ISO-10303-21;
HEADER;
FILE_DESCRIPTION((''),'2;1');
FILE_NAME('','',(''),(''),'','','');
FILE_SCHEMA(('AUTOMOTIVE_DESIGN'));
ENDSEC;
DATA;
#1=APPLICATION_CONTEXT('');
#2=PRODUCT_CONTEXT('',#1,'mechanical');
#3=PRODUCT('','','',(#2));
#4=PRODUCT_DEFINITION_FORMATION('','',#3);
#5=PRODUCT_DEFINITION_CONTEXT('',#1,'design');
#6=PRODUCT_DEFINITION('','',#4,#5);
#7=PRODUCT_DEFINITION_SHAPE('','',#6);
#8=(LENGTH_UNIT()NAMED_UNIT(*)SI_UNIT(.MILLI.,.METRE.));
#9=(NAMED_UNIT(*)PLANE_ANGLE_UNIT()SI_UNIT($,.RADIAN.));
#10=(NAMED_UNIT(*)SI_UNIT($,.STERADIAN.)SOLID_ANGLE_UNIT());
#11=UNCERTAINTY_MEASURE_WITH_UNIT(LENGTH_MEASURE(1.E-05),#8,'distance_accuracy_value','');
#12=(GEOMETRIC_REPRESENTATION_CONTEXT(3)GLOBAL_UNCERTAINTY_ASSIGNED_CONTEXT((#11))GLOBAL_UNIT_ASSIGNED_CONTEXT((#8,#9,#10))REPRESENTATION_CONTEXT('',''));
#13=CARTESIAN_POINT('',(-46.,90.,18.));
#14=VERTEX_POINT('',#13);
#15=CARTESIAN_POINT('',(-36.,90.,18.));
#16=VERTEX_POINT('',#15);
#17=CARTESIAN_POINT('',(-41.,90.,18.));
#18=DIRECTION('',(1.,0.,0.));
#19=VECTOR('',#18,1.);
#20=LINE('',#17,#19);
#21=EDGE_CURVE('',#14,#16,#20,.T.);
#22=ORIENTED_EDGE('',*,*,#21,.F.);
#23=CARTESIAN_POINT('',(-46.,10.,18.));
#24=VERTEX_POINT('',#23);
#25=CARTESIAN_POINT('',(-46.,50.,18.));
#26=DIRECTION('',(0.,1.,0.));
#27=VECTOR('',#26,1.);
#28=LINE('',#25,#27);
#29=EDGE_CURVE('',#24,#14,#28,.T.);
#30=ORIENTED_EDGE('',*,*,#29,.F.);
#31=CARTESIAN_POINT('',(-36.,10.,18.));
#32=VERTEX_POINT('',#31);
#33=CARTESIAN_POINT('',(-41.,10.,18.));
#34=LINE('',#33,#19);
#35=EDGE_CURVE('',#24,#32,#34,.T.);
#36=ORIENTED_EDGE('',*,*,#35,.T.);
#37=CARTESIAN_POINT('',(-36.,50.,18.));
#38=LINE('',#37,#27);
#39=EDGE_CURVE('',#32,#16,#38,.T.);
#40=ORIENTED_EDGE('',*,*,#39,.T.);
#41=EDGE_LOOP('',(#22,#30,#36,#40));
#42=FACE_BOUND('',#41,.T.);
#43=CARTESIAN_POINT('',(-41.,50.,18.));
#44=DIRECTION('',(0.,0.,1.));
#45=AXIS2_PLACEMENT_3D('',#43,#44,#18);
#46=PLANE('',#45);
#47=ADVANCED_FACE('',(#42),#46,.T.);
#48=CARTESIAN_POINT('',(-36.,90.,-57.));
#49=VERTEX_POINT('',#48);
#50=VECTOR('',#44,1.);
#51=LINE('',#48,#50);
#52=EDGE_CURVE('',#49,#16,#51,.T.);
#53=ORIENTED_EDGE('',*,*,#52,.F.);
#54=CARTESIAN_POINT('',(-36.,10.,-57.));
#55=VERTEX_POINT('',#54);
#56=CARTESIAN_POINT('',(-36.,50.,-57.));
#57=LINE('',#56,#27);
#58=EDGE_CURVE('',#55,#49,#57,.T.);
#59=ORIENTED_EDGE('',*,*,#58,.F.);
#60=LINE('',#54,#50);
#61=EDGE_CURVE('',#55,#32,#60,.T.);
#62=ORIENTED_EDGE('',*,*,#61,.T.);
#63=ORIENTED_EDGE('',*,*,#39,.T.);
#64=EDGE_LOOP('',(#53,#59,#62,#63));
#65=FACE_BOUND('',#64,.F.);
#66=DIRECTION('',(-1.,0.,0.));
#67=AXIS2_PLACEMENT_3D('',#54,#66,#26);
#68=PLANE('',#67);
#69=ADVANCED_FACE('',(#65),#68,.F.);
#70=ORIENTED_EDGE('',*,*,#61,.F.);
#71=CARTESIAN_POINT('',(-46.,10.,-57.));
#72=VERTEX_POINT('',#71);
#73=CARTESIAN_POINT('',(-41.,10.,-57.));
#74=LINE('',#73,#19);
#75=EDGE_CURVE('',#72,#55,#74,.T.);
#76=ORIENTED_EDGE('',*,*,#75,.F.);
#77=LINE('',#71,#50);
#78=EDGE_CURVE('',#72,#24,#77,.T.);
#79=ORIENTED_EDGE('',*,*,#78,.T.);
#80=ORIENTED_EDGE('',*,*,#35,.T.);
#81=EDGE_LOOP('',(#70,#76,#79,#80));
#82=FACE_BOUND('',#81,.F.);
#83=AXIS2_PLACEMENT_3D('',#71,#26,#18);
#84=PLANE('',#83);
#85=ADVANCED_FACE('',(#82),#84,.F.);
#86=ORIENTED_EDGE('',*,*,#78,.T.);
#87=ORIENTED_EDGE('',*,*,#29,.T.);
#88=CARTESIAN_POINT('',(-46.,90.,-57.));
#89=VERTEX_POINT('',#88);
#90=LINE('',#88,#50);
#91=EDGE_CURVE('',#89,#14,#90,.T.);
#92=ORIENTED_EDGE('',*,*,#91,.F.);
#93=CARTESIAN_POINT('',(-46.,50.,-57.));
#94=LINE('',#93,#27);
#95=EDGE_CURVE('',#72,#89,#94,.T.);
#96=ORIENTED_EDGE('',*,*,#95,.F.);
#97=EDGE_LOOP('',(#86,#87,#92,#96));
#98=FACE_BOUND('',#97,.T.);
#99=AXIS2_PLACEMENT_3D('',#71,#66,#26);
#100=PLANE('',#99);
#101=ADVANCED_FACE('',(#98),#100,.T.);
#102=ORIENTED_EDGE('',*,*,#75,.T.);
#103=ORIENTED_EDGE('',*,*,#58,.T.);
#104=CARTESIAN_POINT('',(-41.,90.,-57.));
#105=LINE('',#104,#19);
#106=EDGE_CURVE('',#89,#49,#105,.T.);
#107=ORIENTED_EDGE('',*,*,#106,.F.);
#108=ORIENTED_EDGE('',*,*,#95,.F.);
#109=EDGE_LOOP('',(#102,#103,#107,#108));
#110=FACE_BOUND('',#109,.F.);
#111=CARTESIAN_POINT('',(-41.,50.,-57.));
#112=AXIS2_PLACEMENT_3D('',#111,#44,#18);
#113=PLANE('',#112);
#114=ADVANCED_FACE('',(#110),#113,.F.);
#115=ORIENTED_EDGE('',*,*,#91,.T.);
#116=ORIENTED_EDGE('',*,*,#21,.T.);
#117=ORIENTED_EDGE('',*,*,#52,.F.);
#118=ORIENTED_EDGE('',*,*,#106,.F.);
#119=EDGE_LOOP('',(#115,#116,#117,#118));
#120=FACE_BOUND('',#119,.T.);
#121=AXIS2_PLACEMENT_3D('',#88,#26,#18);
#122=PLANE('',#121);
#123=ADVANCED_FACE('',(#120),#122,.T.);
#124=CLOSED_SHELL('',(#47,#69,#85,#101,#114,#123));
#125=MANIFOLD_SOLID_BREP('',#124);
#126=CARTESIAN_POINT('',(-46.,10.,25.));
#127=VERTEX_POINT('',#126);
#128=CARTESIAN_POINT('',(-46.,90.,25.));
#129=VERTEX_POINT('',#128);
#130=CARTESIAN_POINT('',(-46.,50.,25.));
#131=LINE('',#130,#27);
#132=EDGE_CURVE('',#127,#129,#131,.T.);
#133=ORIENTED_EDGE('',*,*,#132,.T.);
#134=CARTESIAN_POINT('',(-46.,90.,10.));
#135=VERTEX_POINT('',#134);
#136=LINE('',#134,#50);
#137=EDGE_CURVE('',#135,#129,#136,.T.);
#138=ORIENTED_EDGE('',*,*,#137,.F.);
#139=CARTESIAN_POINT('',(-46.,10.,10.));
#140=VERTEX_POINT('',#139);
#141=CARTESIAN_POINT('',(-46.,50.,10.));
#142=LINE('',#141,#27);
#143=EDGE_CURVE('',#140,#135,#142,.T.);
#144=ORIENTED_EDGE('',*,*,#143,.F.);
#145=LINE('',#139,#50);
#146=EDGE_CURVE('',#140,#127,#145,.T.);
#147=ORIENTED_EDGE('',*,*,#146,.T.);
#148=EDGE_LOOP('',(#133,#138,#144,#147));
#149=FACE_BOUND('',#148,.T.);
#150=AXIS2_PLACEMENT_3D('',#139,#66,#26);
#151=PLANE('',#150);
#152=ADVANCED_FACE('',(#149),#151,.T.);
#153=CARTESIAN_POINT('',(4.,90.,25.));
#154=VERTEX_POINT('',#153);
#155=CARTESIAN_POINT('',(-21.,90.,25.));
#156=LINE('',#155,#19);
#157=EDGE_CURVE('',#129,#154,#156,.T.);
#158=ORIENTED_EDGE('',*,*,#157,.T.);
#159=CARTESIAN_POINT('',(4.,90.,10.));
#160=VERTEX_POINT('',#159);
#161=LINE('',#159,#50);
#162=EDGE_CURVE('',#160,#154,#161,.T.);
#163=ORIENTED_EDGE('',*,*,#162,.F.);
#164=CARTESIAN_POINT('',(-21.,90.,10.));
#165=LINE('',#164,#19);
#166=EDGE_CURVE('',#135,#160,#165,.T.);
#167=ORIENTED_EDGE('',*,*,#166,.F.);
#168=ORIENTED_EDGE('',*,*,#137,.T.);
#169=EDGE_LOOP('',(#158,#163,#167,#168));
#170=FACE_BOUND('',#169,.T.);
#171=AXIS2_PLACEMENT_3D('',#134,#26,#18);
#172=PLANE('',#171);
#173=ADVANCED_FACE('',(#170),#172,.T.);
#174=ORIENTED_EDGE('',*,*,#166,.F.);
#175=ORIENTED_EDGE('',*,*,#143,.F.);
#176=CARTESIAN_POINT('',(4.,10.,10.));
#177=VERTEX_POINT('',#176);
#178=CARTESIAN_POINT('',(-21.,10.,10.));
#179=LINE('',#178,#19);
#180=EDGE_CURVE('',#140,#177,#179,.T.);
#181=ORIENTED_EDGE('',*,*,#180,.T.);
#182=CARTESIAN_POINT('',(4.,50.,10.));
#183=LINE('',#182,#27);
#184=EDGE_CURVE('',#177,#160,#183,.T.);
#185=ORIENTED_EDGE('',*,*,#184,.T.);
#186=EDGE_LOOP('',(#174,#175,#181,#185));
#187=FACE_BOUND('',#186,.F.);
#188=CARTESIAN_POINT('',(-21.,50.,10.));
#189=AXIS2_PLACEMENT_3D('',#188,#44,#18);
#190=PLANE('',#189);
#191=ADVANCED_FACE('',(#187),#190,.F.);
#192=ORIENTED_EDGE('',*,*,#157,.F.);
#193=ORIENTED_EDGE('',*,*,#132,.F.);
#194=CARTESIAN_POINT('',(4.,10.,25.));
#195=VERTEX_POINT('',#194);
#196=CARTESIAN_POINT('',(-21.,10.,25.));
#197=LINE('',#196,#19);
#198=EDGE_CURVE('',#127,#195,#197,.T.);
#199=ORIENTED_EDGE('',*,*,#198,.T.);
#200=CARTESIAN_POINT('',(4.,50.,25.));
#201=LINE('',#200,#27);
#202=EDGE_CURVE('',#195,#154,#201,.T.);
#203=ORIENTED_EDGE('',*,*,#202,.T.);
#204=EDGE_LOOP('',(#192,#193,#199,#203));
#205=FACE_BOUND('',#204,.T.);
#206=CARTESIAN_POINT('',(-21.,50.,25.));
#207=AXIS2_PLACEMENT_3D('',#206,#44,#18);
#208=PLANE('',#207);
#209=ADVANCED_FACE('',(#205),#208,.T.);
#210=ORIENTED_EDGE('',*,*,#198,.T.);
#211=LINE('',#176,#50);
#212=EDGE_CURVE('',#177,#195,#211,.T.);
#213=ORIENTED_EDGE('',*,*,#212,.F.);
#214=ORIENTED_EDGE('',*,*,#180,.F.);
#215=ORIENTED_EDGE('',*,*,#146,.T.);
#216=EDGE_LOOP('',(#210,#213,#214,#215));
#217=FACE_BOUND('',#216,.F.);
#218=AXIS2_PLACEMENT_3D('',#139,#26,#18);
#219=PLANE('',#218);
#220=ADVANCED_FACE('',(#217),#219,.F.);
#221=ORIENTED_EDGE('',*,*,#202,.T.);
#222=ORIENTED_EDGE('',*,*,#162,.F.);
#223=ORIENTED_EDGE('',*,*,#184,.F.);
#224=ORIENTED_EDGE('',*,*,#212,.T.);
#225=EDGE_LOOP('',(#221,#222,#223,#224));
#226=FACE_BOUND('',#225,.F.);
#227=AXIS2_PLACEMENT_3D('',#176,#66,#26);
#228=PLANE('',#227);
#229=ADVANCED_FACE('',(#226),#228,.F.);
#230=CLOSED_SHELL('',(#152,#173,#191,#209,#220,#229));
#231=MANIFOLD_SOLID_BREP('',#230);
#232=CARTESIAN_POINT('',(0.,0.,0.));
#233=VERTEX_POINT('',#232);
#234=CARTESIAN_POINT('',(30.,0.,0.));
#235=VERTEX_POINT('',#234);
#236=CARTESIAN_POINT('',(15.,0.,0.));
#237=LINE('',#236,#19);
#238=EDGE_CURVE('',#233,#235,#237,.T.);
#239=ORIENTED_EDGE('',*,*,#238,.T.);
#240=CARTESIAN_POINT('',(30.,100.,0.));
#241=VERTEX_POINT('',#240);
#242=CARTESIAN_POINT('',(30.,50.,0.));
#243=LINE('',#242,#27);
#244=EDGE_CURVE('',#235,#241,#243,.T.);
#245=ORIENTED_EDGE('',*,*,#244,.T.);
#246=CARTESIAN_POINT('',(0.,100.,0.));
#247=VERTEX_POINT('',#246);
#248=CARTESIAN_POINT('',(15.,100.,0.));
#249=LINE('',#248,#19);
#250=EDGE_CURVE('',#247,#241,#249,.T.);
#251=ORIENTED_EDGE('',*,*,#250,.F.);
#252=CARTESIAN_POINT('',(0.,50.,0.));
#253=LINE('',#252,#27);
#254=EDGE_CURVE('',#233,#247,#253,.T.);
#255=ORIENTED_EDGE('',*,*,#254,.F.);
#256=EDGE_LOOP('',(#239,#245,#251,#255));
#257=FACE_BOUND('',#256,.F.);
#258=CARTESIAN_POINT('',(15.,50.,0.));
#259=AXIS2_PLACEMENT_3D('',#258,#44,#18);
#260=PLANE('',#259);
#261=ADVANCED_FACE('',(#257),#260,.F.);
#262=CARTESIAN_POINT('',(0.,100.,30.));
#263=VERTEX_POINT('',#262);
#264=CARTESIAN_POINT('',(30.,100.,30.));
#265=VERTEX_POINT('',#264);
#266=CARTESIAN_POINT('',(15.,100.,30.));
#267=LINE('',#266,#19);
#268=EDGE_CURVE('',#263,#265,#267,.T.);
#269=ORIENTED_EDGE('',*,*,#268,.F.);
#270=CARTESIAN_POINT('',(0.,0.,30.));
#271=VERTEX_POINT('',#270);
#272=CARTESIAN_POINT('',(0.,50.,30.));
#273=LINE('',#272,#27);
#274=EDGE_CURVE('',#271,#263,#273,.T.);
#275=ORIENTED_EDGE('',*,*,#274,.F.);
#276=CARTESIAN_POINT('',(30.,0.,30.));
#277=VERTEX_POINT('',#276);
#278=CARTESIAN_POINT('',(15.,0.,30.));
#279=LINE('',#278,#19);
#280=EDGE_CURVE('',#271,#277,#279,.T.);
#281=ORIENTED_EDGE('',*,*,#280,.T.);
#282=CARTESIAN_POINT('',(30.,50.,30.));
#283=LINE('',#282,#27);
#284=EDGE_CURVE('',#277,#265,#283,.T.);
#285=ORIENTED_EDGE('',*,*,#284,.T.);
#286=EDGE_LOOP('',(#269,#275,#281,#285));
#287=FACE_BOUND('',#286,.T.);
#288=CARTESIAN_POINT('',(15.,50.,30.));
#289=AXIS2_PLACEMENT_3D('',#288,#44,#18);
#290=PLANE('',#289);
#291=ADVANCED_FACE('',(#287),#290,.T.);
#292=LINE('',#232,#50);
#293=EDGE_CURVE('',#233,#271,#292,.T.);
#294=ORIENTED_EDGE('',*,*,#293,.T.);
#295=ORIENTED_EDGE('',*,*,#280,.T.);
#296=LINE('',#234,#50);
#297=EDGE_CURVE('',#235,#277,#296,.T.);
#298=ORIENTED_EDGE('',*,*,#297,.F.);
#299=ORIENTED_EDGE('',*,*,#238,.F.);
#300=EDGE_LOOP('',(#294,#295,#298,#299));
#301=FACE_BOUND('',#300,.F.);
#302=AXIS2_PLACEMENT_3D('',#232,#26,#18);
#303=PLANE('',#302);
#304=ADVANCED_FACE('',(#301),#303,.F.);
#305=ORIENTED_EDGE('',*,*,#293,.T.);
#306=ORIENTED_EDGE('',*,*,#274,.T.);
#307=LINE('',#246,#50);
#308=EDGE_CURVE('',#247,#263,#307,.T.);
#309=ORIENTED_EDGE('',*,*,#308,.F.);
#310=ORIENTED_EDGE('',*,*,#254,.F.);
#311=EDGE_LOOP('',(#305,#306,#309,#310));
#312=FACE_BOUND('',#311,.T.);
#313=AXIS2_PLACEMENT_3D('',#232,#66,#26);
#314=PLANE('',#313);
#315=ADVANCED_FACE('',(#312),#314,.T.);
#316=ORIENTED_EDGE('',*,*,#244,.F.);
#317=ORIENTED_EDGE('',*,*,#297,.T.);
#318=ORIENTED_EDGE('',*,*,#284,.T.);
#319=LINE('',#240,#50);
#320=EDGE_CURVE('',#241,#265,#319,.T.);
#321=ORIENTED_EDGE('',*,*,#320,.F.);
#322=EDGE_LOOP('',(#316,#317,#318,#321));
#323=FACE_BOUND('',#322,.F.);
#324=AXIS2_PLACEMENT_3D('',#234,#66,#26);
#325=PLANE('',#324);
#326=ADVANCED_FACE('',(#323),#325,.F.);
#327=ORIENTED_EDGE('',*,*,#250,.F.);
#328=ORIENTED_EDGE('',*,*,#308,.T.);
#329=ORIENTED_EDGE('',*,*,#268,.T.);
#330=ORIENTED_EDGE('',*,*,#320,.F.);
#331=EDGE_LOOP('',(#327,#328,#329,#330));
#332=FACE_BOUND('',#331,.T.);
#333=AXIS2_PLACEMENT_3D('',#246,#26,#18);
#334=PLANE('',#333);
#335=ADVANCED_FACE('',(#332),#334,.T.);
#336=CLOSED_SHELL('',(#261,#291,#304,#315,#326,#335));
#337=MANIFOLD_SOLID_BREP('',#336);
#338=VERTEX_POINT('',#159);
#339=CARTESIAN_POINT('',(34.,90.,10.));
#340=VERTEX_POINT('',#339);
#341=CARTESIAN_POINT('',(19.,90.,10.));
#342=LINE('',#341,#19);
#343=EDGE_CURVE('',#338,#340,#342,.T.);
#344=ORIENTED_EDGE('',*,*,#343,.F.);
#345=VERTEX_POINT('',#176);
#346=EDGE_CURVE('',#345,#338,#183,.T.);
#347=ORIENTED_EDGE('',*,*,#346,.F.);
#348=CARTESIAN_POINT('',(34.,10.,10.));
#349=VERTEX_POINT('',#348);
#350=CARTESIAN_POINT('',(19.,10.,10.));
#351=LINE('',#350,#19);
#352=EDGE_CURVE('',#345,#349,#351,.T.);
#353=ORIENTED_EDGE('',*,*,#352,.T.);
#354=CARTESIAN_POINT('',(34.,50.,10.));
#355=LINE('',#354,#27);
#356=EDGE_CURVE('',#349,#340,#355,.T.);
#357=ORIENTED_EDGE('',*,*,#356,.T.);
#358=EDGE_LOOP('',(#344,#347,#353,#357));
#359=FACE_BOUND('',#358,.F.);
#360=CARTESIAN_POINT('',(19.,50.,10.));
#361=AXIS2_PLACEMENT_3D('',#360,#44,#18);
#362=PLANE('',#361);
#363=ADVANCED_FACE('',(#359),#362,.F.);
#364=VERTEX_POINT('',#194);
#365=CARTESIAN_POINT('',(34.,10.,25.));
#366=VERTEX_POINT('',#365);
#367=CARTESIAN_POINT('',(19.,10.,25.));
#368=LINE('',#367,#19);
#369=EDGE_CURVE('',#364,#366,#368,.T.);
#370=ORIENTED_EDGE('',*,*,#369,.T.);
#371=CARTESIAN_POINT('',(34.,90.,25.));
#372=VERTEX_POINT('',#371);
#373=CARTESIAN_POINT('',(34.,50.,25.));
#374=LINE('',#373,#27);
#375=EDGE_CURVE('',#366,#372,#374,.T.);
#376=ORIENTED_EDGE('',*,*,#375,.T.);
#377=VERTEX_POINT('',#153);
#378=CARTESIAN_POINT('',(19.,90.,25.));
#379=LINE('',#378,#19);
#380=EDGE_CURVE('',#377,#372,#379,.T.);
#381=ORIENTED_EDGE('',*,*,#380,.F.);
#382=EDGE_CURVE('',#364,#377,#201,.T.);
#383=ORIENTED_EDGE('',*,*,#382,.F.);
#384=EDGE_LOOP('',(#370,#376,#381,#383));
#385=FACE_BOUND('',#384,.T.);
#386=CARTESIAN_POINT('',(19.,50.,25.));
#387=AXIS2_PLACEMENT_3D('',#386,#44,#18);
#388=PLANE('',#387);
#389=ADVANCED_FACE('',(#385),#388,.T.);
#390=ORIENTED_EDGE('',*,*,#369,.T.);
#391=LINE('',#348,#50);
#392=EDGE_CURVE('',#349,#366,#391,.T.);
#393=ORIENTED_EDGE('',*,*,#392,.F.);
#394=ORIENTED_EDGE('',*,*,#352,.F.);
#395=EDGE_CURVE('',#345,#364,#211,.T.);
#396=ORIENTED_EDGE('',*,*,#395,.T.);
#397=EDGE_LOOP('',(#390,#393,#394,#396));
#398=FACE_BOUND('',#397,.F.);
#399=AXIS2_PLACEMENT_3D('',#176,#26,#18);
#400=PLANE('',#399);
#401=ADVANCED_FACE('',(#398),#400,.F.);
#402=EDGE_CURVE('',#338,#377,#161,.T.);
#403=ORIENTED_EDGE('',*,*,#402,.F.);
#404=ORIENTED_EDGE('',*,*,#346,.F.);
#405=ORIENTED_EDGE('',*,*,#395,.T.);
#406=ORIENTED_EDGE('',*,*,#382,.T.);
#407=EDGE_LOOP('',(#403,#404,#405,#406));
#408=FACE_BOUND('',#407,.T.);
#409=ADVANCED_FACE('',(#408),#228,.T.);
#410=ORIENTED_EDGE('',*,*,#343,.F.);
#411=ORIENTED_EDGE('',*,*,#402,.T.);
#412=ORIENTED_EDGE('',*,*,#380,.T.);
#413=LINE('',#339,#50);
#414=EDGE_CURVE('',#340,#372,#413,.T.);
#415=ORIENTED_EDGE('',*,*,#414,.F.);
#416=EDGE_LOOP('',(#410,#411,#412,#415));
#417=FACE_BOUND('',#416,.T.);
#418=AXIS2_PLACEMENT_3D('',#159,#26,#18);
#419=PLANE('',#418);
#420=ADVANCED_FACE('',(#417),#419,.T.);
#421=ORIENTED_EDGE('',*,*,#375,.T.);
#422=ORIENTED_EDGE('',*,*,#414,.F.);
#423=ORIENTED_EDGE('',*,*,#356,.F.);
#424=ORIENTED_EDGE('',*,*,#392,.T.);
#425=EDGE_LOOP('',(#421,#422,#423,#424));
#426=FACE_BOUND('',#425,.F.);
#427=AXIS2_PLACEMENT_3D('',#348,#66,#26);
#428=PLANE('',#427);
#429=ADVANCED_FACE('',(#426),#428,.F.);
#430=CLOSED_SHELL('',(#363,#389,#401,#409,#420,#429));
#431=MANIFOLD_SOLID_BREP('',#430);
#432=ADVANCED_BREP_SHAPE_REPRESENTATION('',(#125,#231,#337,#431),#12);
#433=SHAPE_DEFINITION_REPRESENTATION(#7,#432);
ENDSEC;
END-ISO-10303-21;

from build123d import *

# Parameters (mm, degrees)
BOX_W        = 30
BOX_H        = 100
BOX_DEPTH    = 30
BOX001_W     = 30
BOX001_H     = 80
BOX001_DEPTH = 15
BOX002_W     = 50
BOX002_H     = 80
BOX002_DEPTH = 15
BOX003_W     = 10
BOX003_H     = 80
BOX003_DEPTH = 75


with BuildPart() as cube:
    # Box → Box (new body)
    with BuildSketch(Plane.XY):
        with Locations((15, 50)):
            Rectangle(BOX_W, BOX_H)
    extrude(amount=BOX_DEPTH)


with BuildPart() as cube001:
    # Box001 → Box001 (new body)
    with BuildSketch(Plane(origin=(4, 10, 10), x_dir=(1, 0, 0), z_dir=(0, 0, 1))):
        with Locations((15, 40)):
            Rectangle(BOX001_W, BOX001_H)
    extrude(amount=BOX001_DEPTH)


with BuildPart() as cube002:
    # Box002 → Box002 (new body)
    with BuildSketch(Plane(origin=(-46, 10, 10), x_dir=(1, 0, 0), z_dir=(0, 0, 1))):
        with Locations((25, 40)):
            Rectangle(BOX002_W, BOX002_H)
    extrude(amount=BOX002_DEPTH)


with BuildPart() as cube003:
    # Box003 → Box003 (new body)
    with BuildSketch(Plane(origin=(-46, 10, -57), x_dir=(1, 0, 0), z_dir=(0, 0, 1))):
        with Locations((5, 40)):
            Rectangle(BOX003_W, BOX003_H)
    extrude(amount=BOX003_DEPTH)


solid = Compound([cube.part, cube001.part, cube002.part, cube003.part])
